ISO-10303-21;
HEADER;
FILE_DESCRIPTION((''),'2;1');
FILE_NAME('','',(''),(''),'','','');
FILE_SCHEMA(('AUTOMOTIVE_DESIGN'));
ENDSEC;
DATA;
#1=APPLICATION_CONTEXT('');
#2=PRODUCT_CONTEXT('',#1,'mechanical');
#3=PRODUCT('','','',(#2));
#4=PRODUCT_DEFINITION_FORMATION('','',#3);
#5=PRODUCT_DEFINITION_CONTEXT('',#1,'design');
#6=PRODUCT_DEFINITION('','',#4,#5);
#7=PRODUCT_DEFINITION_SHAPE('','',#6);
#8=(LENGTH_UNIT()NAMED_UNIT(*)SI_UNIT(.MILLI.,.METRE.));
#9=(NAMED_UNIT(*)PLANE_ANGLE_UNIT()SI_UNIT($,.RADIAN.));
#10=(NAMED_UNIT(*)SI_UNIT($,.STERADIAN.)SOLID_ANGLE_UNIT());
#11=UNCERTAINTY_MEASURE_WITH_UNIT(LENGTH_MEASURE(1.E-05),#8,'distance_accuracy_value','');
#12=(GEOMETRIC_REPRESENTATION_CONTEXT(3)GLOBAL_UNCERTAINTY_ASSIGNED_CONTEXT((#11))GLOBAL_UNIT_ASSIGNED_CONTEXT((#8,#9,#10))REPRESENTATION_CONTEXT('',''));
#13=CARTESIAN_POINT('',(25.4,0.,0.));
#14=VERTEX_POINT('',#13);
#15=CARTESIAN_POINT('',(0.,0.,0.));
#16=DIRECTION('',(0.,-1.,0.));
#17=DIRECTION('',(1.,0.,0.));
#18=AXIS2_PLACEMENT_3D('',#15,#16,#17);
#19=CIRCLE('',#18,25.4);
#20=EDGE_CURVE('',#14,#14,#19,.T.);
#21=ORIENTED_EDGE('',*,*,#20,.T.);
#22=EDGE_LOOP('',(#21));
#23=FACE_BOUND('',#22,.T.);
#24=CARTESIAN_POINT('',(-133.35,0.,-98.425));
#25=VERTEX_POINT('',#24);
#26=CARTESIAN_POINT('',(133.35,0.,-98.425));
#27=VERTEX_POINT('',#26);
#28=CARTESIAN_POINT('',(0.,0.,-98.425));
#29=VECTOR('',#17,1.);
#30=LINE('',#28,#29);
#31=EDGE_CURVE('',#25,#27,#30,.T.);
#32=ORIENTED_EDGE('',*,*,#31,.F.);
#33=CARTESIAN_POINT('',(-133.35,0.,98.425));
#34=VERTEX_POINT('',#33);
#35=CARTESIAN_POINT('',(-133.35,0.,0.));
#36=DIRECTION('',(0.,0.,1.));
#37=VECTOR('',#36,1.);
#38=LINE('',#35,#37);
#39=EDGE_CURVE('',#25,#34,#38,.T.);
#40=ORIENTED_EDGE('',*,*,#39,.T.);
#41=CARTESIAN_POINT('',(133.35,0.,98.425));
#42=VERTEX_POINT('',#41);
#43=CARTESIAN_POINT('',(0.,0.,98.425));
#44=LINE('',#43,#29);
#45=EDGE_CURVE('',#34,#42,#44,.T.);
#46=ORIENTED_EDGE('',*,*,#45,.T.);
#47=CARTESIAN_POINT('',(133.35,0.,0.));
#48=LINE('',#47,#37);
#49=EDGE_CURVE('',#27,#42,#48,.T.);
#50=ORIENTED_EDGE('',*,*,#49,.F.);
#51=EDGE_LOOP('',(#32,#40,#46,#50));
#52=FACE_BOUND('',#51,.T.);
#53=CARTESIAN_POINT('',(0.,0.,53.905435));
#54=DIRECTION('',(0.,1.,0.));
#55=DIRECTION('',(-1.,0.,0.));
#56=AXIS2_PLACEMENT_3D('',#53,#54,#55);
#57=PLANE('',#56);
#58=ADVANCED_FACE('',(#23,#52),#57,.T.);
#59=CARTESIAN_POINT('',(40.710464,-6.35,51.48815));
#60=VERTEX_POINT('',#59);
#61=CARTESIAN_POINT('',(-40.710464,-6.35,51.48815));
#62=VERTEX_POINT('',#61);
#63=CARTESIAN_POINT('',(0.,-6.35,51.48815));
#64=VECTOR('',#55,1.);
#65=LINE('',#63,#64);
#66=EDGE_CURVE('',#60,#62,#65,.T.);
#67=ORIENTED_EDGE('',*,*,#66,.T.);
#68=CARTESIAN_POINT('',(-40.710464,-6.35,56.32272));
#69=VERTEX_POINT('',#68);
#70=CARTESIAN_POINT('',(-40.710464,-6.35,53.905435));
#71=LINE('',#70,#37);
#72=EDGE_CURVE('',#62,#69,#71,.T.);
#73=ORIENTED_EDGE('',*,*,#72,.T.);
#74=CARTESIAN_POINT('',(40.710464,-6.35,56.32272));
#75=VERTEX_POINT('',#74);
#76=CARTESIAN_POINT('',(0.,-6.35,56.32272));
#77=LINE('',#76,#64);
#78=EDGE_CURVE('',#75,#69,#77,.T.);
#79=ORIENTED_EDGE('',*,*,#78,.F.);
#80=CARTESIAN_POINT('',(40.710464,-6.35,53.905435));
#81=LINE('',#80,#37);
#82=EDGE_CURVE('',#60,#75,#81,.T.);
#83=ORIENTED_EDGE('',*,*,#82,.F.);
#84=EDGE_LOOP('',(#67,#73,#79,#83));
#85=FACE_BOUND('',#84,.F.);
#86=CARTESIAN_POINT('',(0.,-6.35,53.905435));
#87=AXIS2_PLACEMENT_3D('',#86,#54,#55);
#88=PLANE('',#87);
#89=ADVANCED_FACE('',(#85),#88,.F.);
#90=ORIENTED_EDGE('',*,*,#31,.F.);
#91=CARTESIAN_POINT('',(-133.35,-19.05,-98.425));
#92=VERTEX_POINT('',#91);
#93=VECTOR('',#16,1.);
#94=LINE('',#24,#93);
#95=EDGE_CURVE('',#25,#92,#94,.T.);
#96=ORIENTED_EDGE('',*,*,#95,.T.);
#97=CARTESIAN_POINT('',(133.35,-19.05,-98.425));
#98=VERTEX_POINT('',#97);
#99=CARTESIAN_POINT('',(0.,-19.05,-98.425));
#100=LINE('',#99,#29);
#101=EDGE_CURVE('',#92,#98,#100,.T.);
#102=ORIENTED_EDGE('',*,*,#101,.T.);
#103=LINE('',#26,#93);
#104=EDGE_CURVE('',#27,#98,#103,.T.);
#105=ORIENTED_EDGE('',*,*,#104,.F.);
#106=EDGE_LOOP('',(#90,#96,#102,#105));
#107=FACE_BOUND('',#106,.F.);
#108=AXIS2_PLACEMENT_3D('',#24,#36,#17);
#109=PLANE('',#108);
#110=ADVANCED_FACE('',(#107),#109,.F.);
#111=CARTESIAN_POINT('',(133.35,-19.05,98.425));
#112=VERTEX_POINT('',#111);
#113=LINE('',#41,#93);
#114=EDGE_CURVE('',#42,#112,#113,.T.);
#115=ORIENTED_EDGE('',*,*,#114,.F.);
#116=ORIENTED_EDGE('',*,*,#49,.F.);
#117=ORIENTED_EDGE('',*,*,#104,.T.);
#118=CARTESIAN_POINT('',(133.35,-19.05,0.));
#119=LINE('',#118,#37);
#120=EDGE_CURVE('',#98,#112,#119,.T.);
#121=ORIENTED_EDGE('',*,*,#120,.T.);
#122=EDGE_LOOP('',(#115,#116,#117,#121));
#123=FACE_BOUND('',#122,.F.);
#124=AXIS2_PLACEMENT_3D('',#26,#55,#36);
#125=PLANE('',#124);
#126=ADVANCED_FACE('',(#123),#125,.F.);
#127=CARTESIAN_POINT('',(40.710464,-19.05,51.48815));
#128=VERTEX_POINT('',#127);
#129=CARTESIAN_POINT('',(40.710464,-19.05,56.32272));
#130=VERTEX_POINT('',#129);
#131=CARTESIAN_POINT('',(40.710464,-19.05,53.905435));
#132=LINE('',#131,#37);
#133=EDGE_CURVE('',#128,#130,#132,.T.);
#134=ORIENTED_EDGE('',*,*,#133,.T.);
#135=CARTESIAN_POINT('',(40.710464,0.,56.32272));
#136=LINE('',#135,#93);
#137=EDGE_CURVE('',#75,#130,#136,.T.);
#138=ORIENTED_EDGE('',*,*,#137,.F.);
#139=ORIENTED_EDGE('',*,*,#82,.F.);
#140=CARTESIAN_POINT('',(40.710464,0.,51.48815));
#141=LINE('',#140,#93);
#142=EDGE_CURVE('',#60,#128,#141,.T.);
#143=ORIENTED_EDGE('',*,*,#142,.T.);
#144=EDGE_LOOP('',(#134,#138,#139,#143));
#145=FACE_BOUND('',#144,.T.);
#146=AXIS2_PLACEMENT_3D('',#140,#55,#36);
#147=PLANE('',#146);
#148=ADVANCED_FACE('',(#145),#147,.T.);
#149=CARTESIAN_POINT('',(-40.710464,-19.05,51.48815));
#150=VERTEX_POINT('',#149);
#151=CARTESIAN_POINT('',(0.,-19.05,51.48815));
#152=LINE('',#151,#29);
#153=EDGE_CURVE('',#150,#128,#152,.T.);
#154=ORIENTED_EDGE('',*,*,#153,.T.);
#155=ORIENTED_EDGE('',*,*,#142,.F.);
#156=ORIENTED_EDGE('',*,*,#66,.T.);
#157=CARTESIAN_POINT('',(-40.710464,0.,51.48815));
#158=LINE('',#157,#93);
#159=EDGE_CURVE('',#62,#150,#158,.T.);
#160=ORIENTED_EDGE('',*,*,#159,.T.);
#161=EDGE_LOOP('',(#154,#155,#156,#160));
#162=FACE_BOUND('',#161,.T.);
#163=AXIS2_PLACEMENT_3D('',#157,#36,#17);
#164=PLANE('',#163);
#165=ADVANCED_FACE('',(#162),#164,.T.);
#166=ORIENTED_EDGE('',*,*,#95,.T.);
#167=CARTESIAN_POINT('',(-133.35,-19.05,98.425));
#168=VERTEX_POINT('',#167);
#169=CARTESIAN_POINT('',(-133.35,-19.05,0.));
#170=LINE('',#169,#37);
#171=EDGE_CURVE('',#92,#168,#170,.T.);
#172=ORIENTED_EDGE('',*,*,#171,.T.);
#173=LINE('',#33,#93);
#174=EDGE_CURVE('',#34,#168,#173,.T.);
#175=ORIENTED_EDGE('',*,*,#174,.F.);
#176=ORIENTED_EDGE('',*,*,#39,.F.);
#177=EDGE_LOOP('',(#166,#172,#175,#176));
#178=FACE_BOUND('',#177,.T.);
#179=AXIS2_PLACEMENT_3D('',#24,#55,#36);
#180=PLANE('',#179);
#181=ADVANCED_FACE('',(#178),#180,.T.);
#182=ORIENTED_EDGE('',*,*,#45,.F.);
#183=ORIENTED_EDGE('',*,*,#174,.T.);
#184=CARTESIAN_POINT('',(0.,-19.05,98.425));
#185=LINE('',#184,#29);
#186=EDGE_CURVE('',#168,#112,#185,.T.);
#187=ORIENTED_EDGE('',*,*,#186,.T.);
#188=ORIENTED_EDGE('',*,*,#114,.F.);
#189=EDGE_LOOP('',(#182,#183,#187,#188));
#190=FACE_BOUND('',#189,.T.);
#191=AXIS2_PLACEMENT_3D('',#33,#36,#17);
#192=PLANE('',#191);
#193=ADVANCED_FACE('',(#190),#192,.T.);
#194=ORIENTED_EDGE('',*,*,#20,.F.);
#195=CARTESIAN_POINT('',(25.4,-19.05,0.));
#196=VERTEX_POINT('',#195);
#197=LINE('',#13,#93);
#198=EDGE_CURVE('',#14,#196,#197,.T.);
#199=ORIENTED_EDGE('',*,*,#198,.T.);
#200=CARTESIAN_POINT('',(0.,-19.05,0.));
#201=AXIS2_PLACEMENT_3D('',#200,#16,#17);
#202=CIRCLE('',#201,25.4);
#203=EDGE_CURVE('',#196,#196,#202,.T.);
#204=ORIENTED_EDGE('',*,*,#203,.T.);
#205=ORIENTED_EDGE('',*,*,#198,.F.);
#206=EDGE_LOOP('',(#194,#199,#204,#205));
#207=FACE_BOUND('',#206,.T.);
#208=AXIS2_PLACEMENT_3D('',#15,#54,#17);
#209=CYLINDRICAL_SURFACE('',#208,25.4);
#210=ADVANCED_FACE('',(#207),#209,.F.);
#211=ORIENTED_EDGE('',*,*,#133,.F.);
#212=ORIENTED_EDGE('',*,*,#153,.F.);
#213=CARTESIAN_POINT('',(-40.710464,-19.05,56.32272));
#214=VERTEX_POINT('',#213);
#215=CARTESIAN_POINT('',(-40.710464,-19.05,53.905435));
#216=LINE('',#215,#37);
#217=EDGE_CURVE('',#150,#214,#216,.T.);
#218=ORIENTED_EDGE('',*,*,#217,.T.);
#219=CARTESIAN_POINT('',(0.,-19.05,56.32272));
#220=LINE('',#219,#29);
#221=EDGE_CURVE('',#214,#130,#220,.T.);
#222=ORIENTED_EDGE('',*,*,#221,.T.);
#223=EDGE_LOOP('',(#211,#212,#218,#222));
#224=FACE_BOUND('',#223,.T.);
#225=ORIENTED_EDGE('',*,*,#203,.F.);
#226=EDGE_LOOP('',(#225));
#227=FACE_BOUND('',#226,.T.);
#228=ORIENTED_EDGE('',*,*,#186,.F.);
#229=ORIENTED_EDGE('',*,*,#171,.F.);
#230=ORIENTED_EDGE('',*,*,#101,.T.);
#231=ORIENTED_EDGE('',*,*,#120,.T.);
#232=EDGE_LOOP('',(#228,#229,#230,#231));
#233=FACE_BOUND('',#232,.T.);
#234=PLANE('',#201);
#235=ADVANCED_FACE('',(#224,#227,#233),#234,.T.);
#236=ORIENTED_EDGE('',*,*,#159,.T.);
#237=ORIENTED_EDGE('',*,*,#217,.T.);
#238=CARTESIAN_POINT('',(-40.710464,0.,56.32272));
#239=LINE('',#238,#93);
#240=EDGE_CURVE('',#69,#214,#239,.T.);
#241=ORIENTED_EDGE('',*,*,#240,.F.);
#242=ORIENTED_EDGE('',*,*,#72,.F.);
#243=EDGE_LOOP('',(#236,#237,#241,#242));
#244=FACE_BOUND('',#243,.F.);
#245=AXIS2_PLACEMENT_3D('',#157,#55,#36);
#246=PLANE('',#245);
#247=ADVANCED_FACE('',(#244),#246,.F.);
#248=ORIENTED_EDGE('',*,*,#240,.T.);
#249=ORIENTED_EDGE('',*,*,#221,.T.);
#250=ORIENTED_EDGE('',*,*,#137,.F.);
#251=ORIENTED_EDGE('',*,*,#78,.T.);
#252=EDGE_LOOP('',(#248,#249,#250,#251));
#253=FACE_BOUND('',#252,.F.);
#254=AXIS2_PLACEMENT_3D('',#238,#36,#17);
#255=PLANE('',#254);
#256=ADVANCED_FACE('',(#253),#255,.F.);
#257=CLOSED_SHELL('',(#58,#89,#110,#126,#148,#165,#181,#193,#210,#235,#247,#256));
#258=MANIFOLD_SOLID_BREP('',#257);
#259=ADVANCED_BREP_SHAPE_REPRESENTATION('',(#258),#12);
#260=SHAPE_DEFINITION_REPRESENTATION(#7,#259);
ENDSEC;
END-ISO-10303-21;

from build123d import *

# Parameters (mm, degrees)
F0_W     = 266.7
F0_H     = 196.85
F0_R     = 25.4
F0_W_2   = 81.420928
F0_H_2   = 4.83457
F1_DEPTH = 19.05
F2_W     = 81.420928
F2_H     = 4.83457
F3_DEPTH = 6.35


with BuildPart() as f1:
    # F0 (on Front) → F1 (new body)
    with BuildSketch(Plane.XZ):
        Rectangle(F0_W, F0_H)
        Circle(F0_R, mode=Mode.SUBTRACT)
        with Locations((0, 53.905435)):
            Rectangle(F0_W_2, F0_H_2, mode=Mode.SUBTRACT)
    extrude(amount=F1_DEPTH)

    # F2 (on face) → F3 (join)
    with BuildSketch(Plane(origin=(0, 0, 0), x_dir=(-1, 0, 0), z_dir=(0, 1, 0))):
        with Locations((0, 53.905435)):
            Rectangle(F2_W, F2_H)
    extrude(amount=-F3_DEPTH)


solid = f1.part
